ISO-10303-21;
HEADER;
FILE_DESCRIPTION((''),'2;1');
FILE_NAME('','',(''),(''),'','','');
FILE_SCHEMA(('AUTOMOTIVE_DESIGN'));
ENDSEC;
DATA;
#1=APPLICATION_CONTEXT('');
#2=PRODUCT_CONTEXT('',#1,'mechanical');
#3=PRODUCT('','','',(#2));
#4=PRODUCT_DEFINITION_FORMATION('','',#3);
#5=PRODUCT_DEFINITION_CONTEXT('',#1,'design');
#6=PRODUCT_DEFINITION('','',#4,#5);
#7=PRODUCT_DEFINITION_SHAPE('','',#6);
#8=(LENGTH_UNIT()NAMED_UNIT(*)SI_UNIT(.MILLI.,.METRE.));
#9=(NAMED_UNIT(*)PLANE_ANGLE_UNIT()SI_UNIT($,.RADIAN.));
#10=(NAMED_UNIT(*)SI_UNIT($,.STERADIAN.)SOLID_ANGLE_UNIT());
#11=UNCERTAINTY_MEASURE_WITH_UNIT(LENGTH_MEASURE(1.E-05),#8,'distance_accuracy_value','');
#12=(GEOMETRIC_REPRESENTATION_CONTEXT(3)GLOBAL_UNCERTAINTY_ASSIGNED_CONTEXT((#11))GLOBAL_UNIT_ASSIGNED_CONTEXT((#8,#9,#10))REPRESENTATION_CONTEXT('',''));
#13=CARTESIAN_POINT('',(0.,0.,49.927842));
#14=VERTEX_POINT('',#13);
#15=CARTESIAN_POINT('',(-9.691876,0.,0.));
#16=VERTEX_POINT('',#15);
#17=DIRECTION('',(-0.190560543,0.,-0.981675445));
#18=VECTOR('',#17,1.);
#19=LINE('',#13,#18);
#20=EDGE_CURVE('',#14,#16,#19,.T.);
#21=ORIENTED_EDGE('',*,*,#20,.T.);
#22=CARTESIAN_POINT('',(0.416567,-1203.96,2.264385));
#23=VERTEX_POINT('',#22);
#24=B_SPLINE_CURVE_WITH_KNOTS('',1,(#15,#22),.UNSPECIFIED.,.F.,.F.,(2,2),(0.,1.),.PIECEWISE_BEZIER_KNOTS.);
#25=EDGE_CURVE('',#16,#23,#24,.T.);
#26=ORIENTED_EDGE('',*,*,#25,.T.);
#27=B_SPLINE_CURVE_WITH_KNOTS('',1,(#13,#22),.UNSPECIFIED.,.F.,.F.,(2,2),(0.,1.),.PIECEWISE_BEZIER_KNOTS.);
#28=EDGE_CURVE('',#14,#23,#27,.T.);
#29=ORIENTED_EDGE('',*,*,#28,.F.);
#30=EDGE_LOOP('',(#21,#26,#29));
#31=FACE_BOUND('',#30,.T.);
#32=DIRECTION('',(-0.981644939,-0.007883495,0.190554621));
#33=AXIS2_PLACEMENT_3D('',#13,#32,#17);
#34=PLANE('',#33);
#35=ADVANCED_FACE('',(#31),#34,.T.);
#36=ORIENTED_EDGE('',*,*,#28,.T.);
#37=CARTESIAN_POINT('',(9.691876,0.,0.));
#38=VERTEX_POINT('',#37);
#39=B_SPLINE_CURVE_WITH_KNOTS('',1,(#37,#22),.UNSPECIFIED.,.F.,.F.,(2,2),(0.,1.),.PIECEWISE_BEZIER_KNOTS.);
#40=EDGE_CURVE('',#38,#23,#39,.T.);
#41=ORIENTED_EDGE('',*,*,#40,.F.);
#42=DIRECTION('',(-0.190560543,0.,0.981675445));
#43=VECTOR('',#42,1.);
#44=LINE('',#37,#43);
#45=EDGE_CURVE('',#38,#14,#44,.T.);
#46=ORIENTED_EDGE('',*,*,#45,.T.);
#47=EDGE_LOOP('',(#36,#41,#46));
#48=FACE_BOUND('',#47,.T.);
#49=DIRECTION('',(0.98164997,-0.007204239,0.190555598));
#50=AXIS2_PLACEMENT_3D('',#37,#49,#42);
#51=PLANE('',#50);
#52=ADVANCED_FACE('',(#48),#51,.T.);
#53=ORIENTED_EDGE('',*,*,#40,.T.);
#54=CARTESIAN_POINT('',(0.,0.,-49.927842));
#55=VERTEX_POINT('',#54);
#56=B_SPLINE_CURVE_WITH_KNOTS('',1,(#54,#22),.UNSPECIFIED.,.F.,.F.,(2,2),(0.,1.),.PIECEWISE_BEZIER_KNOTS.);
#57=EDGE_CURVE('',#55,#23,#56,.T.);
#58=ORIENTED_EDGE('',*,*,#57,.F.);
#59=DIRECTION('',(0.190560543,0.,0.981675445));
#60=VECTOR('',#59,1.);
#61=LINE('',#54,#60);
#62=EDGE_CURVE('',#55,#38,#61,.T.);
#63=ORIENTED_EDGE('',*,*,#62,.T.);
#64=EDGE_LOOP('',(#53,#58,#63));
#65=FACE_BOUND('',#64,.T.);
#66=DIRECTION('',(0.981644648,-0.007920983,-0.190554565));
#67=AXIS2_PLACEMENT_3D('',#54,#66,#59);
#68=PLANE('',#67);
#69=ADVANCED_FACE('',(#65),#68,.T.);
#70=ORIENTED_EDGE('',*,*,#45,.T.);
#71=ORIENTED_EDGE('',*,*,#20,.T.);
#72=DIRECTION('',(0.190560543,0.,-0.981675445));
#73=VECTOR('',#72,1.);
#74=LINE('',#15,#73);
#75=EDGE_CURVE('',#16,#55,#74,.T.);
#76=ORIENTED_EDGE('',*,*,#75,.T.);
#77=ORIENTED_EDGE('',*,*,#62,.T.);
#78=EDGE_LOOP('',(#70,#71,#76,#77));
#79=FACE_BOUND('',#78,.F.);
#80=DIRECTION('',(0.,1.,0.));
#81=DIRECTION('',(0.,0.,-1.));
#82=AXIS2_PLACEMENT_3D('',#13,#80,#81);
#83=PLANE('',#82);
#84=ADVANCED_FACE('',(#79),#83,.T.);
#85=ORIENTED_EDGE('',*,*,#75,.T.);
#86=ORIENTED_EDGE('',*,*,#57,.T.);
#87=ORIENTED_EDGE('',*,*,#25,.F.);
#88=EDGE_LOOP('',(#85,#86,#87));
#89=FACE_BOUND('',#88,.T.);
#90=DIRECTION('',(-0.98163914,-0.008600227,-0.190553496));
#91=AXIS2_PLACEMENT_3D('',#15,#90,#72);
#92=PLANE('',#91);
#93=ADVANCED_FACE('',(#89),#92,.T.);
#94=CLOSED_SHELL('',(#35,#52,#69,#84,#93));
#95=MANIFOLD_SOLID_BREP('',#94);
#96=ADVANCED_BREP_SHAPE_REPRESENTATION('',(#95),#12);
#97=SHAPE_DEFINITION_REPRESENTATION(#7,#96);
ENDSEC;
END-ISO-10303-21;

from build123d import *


with BuildPart() as f3:
    # F0 (on Front) → F3 section 0
    with BuildSketch(Plane.XZ, mode=Mode.PRIVATE) as f3_s0:
        Polygon((0, 49.927842), (-9.691876, 0), (0, -49.927842), (9.691876, 0), align=None)
    loft([f3_s0.sketch, Vertex(0.416567, -1203.96, 2.264385)])


solid = f3.part
